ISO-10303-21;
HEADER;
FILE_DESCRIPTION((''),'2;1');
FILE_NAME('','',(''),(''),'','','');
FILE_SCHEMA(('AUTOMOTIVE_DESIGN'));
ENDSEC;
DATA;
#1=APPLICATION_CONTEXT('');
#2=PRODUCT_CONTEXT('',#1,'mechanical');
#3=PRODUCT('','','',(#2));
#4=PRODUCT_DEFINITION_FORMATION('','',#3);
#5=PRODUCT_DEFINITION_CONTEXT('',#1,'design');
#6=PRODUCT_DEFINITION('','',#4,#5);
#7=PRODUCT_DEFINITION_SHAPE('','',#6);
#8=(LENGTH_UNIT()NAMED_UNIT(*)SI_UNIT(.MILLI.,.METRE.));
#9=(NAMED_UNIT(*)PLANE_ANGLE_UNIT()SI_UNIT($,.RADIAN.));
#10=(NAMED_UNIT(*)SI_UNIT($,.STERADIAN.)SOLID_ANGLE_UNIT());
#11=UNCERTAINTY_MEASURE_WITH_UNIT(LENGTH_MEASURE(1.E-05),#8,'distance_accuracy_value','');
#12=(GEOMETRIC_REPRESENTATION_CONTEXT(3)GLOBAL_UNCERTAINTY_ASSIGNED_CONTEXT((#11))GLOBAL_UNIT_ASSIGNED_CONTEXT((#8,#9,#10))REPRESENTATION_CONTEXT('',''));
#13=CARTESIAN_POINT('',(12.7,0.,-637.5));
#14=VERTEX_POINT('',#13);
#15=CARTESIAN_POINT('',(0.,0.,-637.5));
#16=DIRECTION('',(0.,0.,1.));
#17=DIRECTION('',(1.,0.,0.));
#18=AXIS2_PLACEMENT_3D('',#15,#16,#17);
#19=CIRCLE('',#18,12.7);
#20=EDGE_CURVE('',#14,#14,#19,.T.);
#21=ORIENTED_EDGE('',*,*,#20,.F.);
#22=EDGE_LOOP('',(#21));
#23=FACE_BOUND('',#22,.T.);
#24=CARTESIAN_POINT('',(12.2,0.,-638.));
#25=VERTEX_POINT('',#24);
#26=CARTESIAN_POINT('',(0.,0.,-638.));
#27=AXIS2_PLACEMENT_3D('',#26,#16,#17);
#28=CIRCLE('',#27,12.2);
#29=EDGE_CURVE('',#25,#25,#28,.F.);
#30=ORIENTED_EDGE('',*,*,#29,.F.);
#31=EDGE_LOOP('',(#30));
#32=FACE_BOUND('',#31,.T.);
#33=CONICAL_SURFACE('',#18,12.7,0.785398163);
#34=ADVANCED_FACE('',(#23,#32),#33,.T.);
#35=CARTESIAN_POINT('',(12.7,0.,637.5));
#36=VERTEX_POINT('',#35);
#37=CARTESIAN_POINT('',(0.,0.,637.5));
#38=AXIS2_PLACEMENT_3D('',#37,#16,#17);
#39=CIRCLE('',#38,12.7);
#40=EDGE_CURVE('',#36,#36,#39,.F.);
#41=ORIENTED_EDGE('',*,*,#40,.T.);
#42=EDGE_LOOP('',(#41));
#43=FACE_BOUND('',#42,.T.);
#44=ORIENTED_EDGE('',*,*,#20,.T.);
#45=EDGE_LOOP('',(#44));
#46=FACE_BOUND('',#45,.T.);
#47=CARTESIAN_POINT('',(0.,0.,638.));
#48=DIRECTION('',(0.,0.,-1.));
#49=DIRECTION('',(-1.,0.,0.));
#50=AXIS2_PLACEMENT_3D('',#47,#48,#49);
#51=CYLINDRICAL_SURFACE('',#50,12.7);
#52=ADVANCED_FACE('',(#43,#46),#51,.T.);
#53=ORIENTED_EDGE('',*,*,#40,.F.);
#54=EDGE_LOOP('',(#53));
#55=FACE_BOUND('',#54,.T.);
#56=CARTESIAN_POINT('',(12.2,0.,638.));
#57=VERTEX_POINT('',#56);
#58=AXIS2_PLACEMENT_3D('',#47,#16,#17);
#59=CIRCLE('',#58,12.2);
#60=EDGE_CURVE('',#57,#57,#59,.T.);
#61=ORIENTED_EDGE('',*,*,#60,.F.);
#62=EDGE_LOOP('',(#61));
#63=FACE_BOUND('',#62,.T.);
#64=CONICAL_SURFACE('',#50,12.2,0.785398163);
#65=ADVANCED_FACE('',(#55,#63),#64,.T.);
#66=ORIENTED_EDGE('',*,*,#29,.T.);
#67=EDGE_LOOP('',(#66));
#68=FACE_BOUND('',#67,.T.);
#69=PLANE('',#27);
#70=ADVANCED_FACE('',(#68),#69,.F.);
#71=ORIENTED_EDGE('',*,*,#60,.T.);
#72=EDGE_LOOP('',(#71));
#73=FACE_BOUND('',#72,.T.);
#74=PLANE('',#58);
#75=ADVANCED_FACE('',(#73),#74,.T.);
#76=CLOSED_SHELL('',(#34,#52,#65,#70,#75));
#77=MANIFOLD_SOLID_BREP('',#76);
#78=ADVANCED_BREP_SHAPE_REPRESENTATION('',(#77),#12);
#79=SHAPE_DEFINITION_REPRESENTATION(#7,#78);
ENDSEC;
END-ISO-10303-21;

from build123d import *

# Parameters (mm, degrees)
SKETCH1_R           = 12.7
BOSS_EXTRUDE1_DEPTH = 638
CHAMFER1_SIZE       = 0.5


with BuildPart() as part:
    # Sketch1 → Boss-Extrude1 (new body, symmetric)
    with BuildSketch(Plane.XY):
        Circle(SKETCH1_R)
    extrude(amount=BOSS_EXTRUDE1_DEPTH, both=True)

    # Chamfer1
    chamfer1_edges = [part.edges().sort_by_distance(p)[0] for p in [
        (-12.7, 0, -638),
        (-12.7, 0, 638),
    ]]
    chamfer(chamfer1_edges, length=CHAMFER1_SIZE)


solid = part.part
